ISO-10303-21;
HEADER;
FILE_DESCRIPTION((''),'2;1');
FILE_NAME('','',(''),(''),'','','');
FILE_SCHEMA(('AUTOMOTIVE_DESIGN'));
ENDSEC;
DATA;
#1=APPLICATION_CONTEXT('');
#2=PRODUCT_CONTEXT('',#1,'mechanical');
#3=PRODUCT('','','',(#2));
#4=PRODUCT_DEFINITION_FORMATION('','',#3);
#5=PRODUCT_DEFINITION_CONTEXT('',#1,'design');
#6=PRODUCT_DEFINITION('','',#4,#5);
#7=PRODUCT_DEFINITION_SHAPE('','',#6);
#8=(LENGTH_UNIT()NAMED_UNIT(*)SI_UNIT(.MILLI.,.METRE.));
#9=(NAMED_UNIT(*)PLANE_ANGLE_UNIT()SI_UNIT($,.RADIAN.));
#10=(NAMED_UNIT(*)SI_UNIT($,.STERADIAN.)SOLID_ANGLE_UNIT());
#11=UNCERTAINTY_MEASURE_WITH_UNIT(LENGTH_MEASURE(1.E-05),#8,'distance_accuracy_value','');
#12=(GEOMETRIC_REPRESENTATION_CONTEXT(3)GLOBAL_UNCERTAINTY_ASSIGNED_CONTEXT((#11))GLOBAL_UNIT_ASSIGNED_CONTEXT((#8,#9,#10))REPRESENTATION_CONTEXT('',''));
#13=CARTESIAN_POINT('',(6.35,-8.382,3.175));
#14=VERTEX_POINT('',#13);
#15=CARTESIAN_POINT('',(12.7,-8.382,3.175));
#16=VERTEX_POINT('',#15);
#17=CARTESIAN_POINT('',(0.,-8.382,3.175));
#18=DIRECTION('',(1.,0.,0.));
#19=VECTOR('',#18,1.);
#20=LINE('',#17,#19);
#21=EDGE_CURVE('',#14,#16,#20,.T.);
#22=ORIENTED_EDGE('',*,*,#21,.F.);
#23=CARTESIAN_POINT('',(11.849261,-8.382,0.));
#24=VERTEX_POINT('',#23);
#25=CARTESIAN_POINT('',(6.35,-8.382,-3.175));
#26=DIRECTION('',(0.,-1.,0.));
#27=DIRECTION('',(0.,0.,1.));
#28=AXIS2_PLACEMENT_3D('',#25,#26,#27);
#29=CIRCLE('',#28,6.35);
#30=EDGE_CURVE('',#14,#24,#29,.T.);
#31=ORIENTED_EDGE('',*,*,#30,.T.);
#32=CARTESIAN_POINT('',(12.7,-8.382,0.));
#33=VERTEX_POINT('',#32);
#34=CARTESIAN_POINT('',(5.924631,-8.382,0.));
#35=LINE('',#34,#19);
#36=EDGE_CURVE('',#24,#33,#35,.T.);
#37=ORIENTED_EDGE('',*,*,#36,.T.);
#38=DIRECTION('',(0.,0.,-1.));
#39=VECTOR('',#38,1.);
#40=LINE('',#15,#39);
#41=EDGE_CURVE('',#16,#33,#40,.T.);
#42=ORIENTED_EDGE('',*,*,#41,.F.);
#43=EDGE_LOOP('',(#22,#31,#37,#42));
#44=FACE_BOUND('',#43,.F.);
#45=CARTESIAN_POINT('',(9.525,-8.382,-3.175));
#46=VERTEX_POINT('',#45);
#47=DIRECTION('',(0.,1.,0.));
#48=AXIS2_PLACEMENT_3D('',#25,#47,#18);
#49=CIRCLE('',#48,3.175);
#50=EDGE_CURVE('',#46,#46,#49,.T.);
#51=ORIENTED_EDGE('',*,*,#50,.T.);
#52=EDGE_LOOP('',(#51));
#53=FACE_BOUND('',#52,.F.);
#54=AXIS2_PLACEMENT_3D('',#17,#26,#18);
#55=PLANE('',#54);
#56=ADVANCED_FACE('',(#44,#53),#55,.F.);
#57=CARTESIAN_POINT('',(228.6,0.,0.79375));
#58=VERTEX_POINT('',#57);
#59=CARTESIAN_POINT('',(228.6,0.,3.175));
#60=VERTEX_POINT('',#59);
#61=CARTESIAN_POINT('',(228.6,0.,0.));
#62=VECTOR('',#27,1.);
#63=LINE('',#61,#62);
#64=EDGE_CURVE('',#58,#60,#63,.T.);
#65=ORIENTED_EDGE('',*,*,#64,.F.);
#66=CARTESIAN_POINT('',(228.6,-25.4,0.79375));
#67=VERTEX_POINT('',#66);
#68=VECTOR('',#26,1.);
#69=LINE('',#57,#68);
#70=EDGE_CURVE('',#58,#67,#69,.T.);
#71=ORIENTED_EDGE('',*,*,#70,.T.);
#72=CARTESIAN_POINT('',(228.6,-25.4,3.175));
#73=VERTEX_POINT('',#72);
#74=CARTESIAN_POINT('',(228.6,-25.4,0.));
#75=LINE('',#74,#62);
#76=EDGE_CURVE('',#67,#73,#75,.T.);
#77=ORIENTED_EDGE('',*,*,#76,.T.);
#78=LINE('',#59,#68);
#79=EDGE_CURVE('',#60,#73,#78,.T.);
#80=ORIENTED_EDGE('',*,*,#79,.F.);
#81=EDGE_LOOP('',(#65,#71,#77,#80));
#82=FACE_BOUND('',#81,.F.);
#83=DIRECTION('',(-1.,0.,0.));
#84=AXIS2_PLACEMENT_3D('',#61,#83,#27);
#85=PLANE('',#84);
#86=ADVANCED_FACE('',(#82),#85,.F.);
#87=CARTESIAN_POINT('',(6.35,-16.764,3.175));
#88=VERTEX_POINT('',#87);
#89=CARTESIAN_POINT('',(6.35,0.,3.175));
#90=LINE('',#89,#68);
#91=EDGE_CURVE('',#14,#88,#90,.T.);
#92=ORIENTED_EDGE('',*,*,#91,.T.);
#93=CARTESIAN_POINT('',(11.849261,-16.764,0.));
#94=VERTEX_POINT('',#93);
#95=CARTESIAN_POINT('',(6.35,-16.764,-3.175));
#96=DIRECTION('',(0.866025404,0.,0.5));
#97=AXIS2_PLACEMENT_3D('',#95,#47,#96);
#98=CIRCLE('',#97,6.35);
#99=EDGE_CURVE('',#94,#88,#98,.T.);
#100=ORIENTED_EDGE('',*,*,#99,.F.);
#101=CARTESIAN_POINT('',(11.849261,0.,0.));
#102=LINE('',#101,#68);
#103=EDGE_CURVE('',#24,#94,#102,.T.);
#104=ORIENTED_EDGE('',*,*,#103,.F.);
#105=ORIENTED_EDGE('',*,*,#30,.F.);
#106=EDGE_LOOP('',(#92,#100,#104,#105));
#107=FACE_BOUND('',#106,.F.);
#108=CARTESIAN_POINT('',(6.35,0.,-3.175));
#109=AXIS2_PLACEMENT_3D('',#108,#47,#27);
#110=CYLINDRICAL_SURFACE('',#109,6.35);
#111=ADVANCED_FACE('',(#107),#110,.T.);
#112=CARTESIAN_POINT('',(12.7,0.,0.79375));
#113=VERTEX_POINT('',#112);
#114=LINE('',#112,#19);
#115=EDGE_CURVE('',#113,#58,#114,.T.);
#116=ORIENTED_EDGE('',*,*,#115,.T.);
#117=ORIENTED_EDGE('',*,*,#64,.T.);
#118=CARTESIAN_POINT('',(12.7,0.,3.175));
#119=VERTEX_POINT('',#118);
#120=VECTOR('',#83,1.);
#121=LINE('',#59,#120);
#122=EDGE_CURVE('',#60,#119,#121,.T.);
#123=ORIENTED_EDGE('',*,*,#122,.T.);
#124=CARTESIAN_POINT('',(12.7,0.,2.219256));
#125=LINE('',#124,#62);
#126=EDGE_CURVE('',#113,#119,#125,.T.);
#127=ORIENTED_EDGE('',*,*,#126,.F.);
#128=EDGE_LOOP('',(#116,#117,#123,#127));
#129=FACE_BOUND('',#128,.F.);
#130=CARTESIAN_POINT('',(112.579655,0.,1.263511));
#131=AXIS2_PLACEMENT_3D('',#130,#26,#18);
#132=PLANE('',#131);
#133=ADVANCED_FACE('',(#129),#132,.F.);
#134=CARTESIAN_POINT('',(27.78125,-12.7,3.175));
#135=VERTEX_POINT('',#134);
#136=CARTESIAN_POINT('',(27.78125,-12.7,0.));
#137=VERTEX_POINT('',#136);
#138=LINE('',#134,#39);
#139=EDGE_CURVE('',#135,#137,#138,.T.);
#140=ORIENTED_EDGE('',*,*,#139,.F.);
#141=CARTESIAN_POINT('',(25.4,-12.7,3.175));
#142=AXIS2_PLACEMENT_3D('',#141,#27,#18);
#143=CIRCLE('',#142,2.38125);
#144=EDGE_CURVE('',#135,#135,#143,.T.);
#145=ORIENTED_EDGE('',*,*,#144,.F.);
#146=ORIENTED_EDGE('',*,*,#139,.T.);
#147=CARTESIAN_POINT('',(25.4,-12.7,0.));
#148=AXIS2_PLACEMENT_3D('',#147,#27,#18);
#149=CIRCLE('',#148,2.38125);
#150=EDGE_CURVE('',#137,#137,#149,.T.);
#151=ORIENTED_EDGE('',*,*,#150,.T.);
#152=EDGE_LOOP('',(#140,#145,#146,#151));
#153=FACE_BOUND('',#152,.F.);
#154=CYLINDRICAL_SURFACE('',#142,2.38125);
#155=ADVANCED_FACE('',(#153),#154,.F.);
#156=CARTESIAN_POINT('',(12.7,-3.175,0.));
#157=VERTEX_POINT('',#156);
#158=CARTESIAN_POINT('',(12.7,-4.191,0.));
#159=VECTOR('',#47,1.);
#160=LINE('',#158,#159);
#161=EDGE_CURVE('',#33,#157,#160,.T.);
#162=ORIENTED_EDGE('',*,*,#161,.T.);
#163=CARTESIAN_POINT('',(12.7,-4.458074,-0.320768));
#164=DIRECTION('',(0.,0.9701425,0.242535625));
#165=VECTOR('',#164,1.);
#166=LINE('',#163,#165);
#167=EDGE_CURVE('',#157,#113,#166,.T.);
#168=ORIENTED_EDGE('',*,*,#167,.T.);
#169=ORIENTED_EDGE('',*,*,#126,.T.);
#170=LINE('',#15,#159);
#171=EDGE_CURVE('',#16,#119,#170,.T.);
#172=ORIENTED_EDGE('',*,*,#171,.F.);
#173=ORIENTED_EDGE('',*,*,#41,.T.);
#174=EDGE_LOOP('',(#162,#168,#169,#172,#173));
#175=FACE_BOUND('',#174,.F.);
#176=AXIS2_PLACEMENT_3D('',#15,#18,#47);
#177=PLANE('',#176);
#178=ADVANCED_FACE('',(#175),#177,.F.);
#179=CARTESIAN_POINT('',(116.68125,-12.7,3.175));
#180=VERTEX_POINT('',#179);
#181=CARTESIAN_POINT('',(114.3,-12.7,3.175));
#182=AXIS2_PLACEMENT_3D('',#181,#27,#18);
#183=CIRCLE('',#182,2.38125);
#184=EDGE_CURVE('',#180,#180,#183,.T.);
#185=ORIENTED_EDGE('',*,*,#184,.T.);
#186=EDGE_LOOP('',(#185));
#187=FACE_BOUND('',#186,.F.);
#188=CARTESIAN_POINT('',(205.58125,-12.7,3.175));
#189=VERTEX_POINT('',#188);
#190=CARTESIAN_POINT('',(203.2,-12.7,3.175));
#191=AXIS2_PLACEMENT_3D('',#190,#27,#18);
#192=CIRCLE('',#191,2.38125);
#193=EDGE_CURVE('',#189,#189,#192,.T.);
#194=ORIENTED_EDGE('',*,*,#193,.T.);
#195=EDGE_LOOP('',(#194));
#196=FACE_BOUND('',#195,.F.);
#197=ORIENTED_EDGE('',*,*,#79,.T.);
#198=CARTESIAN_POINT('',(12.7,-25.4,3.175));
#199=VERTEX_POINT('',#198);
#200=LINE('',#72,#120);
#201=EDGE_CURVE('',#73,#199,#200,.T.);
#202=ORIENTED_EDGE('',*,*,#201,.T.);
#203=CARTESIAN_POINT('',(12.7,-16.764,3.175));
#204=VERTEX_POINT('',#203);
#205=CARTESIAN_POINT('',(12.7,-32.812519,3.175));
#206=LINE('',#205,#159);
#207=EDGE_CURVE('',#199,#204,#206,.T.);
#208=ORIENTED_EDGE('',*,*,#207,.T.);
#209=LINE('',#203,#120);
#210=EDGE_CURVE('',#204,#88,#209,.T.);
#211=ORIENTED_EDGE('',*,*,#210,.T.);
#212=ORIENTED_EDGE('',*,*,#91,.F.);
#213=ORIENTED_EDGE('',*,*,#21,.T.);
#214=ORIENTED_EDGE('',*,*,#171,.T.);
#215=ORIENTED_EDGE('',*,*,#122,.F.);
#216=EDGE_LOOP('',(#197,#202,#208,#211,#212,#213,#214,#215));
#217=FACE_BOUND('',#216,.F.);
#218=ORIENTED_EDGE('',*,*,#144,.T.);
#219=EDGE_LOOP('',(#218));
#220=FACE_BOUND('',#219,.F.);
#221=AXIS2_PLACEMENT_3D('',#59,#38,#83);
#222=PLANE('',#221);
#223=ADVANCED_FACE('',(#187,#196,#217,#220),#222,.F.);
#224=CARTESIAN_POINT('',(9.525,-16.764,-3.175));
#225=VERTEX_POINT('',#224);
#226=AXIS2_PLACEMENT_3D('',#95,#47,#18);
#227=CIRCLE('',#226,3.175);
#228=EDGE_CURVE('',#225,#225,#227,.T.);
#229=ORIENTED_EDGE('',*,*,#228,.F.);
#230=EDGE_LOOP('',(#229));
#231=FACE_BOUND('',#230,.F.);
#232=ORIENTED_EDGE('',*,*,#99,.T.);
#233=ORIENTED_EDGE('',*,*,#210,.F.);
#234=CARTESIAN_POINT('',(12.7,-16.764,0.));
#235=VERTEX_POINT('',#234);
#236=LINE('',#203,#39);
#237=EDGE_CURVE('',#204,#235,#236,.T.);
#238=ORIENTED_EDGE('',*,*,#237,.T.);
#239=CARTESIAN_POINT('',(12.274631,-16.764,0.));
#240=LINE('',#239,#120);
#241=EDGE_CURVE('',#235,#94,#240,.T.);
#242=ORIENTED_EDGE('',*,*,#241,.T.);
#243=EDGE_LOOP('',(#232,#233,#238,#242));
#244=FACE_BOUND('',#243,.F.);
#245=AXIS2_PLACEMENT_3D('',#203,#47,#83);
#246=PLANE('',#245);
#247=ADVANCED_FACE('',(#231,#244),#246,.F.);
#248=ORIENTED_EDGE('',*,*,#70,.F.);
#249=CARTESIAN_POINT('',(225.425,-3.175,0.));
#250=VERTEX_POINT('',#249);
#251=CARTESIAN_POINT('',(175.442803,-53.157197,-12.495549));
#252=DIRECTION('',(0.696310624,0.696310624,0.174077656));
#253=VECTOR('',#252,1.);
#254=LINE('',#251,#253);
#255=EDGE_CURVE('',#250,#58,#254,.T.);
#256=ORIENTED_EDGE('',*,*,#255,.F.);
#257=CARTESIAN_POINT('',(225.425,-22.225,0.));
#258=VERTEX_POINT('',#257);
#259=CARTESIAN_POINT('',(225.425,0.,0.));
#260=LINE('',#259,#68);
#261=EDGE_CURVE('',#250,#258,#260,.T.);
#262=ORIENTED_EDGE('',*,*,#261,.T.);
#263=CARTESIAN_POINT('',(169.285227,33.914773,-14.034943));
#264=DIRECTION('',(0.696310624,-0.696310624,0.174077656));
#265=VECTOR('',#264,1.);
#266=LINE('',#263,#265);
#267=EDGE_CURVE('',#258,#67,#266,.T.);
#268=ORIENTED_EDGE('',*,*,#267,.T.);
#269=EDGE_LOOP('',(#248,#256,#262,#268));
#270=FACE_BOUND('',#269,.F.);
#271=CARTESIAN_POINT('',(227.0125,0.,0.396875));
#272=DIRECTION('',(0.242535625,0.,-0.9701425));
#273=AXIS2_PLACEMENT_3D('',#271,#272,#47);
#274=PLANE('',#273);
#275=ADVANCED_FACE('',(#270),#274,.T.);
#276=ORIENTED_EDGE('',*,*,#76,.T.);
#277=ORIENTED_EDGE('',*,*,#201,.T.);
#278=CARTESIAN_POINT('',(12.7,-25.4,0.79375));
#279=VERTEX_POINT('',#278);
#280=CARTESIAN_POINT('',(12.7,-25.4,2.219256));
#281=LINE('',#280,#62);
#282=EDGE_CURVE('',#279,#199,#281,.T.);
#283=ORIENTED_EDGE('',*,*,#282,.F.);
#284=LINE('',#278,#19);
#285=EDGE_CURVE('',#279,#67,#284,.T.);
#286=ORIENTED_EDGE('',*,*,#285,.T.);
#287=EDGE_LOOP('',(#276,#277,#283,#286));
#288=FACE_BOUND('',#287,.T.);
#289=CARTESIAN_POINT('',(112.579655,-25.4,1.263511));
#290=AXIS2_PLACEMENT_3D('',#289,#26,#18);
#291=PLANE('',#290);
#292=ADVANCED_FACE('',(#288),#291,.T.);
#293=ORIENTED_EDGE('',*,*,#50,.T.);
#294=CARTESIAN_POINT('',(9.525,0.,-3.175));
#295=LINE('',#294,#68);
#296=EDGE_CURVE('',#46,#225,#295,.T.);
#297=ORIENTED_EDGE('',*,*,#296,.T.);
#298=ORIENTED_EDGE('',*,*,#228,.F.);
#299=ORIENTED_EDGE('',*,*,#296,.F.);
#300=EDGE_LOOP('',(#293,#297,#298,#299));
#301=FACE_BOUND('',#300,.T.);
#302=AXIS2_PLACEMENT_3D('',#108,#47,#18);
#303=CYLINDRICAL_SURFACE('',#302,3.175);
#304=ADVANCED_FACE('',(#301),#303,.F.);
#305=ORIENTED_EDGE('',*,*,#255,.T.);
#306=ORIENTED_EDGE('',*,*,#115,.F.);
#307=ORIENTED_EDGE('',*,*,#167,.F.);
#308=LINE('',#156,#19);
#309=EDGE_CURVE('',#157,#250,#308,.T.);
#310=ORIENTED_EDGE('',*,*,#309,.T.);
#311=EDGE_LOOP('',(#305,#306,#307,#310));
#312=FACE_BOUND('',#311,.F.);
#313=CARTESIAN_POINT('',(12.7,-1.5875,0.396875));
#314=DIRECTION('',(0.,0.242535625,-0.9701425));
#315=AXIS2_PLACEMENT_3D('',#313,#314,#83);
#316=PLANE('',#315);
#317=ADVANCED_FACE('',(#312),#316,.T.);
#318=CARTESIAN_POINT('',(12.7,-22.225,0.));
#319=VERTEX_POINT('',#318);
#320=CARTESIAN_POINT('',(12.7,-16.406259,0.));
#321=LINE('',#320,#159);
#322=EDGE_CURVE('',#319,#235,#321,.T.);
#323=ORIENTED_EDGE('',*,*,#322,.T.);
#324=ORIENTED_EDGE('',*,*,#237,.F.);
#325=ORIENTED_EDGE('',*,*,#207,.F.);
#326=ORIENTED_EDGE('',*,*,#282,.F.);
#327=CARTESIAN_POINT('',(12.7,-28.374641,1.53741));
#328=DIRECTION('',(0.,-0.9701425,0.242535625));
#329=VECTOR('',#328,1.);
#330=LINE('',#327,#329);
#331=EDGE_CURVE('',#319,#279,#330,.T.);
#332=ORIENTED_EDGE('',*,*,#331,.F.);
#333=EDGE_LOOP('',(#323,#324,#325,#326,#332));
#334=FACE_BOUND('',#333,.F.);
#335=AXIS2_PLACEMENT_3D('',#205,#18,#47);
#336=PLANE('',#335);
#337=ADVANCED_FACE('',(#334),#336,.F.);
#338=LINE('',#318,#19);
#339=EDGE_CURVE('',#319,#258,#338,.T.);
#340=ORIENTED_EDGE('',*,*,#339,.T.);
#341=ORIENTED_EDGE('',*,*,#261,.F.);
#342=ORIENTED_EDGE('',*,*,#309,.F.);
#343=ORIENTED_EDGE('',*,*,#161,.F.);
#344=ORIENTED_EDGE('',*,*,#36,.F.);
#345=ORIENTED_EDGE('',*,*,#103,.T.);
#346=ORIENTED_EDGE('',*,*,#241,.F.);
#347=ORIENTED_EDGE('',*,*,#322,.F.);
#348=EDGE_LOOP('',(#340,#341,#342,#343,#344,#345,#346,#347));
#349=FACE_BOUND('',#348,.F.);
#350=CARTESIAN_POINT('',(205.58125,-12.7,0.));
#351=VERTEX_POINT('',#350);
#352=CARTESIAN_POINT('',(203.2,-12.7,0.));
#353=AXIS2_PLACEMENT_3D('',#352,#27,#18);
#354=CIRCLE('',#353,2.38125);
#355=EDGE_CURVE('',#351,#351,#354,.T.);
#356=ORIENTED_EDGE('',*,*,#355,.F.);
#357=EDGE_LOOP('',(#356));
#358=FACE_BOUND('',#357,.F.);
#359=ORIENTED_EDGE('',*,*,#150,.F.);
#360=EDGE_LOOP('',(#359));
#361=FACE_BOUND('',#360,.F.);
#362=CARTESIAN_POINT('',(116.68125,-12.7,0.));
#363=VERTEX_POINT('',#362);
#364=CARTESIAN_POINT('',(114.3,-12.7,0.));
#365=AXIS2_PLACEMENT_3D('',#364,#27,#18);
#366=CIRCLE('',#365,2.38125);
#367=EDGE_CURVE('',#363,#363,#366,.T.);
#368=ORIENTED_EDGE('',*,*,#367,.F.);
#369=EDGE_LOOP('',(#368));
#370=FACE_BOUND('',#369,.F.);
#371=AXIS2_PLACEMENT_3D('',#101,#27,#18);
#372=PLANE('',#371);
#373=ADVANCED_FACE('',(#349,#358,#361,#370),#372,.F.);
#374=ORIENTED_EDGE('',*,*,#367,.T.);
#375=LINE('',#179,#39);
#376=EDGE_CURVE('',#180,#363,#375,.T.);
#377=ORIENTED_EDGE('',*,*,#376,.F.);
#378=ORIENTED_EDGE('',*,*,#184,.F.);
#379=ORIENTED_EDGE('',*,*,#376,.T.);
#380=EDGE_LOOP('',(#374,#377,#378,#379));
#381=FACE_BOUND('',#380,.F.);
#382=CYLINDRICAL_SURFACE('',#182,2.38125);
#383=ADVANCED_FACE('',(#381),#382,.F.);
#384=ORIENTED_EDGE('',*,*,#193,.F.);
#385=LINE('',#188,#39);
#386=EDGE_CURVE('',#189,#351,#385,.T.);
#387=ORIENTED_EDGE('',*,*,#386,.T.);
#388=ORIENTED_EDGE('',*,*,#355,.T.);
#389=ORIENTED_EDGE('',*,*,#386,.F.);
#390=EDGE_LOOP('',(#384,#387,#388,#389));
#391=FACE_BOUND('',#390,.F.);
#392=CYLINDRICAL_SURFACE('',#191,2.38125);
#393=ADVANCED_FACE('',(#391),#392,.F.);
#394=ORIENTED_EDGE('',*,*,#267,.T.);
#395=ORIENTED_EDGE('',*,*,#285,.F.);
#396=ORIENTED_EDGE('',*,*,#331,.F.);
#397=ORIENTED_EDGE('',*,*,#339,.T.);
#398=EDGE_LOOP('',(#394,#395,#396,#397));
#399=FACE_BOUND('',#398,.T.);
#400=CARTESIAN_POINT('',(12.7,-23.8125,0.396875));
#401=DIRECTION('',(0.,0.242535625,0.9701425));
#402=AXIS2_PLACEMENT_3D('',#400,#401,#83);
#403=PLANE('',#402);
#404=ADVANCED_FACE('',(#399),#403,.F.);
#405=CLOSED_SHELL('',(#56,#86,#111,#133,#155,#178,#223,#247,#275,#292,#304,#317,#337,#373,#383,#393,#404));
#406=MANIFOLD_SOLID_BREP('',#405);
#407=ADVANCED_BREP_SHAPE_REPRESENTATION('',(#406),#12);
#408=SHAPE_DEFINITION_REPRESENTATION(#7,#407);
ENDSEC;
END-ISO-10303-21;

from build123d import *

# Parameters (mm, degrees)
F0_R     = 3.175
F1_DEPTH = 25.4
F2_R     = 2.38125
F3_DEPTH = 12.701
F4_SIZE2 = 0.79375
F4_SIZE  = 3.175


with BuildPart() as f1:
    # F0 (on Front) → F1 (new body)
    with BuildSketch(Plane.XZ):
        with BuildLine():
            ThreePointArc((6.35, 3.175), (3.175, -8.674261314), (11.849261314, 0))
            Line((11.849261314, 0), (228.6, 0))
            Line((228.6, 0), (228.6, 3.175))
            Line((228.6, 3.175), (6.35, 3.175))
        make_face()
        with Locations((6.35, -3.175)):
            Circle(F0_R, mode=Mode.SUBTRACT)
    extrude(amount=F1_DEPTH)

    # F2 (on face) → F3 (cut, through all)
    with BuildSketch(Plane.XY.offset(3.175)):
        with Locations((203.2, -12.7)):
            Circle(F2_R)
        with Locations((114.3, -12.7)):
            Circle(F2_R)
        with Locations((25.4, -12.7)):
            Circle(F2_R)
        Polygon((12.7, -8.382), (12.7, 5.4248190135), (-5.8604556464, 5.4248190135), (-5.8604556464, -32.8125189408), (12.7, -32.8125189408), (12.7, -16.764), (0, -16.764), (0, -8.382), align=None)
    extrude(amount=-F3_DEPTH, mode=Mode.SUBTRACT)

    # F4
    f4_edges = [f1.edges().sort_by_distance(p)[0] for p in [
        (120.65, -25.4, 0),
        (120.65, 0, 0),
        (228.6, -12.7, 0),
    ]]
    f4_side = f1.faces().sort_by_distance((120.570284, -12.699833, 0))[0]
    chamfer(f4_edges, length=F4_SIZE, length2=F4_SIZE2, reference=f4_side)


solid = f1.part
